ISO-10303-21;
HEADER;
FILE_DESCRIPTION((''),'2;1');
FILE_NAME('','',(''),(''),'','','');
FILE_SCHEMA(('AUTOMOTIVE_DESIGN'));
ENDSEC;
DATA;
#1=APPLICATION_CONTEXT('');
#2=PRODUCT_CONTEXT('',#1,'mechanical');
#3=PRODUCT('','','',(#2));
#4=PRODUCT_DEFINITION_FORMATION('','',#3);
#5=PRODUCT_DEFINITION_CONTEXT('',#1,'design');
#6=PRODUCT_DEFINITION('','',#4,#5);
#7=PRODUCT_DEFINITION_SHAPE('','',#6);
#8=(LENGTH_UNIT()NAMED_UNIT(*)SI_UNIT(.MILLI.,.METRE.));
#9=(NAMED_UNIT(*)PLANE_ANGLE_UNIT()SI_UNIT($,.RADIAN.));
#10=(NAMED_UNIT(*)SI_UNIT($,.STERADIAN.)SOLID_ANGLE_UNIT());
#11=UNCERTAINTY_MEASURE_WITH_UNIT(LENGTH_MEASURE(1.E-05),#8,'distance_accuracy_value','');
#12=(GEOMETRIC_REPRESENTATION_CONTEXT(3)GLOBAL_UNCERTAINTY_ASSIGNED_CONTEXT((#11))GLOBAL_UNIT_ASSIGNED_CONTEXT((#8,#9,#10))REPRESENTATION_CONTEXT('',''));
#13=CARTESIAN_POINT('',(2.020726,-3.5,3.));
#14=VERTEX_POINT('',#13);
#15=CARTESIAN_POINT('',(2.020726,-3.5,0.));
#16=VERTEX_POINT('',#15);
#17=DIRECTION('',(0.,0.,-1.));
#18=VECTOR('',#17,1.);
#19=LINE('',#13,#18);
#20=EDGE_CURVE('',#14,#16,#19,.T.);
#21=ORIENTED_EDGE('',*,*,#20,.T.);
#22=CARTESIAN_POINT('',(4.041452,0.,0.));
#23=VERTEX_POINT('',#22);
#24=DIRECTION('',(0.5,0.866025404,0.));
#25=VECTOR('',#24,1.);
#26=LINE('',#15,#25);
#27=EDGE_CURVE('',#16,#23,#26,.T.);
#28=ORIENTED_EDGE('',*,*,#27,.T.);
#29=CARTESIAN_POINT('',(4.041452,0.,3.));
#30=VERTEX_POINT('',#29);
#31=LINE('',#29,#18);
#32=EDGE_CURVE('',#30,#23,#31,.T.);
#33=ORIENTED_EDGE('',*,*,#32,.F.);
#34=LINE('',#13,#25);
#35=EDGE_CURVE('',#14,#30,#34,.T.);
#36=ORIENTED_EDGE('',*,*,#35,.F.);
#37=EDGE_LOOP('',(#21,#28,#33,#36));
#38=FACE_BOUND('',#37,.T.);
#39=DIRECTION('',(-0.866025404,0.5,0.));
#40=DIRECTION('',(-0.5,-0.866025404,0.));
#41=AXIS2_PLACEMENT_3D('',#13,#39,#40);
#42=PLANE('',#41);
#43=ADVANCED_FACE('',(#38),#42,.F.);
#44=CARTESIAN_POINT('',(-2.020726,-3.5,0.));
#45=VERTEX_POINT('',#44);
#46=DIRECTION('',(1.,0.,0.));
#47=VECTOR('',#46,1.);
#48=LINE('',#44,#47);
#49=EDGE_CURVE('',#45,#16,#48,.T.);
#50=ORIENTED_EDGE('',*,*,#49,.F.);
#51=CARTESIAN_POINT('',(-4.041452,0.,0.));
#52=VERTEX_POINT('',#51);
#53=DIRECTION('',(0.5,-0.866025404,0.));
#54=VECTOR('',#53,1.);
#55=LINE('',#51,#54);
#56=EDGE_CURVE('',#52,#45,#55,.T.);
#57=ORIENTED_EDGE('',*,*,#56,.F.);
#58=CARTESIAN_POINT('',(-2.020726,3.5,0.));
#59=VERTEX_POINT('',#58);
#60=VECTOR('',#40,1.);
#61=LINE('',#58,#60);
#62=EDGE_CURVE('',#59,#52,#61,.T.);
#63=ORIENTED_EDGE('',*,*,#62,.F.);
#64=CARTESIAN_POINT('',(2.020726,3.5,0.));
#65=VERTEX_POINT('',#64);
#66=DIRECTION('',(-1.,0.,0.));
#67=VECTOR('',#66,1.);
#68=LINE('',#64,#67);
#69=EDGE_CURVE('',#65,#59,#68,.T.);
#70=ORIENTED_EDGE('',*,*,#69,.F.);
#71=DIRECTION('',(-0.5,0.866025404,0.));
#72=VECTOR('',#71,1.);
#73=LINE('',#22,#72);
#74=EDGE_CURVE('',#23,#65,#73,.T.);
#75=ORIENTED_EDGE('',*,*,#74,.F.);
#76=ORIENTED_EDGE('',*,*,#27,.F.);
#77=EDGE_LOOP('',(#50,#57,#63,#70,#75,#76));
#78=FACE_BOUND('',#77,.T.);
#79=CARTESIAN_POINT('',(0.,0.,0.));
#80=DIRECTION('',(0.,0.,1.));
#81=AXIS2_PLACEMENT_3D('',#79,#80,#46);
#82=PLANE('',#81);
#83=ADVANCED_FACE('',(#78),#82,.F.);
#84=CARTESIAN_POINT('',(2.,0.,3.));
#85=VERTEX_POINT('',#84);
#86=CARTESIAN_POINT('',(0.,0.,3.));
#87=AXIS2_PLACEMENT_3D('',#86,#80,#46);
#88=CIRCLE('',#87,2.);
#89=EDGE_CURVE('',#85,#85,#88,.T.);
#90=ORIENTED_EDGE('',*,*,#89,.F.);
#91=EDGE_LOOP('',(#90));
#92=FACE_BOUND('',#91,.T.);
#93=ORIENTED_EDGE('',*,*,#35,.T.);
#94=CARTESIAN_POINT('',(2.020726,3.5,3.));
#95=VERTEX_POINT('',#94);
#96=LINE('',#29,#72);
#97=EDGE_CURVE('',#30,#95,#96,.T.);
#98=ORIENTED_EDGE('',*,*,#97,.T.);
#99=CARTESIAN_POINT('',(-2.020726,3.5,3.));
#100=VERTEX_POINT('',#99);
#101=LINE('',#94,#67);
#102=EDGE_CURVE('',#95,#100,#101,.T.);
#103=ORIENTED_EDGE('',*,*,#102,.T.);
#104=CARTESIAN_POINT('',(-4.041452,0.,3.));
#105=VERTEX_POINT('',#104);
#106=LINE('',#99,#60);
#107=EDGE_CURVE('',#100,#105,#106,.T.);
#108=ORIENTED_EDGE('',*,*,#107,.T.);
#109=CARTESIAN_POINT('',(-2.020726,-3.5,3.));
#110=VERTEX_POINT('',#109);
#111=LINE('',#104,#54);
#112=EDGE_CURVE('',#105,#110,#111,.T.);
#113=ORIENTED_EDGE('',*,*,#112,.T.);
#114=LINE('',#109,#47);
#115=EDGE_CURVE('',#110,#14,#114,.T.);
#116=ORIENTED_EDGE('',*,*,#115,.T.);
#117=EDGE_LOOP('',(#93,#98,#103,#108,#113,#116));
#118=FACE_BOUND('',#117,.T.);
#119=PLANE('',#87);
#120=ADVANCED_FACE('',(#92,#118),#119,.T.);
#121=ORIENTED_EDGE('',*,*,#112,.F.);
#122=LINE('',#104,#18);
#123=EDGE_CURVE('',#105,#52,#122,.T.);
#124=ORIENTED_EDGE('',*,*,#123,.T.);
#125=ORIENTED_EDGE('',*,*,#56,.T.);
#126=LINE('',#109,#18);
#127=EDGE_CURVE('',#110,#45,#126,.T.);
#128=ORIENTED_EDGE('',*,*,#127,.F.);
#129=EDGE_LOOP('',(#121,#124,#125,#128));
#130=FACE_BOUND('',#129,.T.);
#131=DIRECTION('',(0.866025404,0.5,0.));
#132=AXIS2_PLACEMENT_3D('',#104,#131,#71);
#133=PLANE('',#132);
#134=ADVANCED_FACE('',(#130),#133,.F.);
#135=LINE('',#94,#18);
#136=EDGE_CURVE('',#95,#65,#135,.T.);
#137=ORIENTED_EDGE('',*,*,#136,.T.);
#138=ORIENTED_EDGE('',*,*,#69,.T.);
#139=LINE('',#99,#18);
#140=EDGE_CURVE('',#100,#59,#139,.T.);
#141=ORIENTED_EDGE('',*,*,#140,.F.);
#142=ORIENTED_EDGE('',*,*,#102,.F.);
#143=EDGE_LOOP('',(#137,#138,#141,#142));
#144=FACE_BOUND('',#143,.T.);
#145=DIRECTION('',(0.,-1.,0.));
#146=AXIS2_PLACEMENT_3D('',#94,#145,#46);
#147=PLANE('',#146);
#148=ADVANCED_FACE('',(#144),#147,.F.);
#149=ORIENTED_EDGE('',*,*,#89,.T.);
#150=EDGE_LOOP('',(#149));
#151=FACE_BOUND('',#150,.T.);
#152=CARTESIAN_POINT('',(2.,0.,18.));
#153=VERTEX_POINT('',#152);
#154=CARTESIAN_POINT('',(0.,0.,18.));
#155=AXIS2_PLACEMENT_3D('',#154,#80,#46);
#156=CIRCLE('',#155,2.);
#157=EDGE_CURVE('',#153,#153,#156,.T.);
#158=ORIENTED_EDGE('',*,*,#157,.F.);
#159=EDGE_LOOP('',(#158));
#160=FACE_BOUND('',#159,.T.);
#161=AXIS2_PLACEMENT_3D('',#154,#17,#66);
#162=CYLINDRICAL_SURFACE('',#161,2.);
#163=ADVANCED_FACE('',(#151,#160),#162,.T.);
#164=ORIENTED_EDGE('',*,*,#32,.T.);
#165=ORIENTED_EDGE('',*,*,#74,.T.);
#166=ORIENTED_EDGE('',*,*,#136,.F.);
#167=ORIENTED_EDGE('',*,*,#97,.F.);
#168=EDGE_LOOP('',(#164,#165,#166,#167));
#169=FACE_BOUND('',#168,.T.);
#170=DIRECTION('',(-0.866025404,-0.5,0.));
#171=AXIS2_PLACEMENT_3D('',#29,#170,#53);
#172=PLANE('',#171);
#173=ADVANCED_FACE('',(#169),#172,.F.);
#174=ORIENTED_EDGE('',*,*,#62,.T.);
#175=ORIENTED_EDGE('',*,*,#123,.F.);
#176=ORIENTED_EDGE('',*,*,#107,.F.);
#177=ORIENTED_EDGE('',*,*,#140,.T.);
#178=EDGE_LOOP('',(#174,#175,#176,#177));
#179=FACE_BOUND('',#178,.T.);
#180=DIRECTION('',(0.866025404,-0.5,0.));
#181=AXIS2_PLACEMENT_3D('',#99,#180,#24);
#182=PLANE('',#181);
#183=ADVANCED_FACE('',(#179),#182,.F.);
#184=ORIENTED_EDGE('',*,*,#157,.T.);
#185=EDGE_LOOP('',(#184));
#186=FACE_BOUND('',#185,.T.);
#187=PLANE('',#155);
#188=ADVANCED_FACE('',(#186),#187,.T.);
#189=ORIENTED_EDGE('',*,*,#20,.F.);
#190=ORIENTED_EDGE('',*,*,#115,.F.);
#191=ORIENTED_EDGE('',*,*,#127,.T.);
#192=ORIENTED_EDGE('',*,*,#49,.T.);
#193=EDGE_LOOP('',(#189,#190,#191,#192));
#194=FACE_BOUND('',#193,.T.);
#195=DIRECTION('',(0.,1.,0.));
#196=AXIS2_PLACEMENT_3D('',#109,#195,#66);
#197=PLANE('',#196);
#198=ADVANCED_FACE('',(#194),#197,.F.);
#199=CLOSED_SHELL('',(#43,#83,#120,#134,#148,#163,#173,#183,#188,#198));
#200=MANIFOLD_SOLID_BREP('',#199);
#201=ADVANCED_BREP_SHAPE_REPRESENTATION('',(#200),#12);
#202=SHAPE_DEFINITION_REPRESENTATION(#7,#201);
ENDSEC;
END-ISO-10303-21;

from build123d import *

# Parameters (mm, degrees)
BOSS_EXTRUDE1_DEPTH = 3
SKETCH2_R           = 2
BOSS_EXTRUDE2_DEPTH = 15


with BuildPart() as part:
    # Sketch1 → Boss-Extrude1 (new body)
    with BuildSketch(Plane.XY):
        Polygon((4.041451884, 0), (2.020725942, 3.5), (-2.020725942, 3.5), (-4.041451884, 0), (-2.020725942, -3.5), (2.020725942, -3.5), align=None)
    extrude(amount=BOSS_EXTRUDE1_DEPTH)

    # Sketch2 → Boss-Extrude2 (add)
    with BuildSketch(Plane.XY.offset(3)):
        Circle(SKETCH2_R)
    extrude(amount=BOSS_EXTRUDE2_DEPTH)


solid = part.part
